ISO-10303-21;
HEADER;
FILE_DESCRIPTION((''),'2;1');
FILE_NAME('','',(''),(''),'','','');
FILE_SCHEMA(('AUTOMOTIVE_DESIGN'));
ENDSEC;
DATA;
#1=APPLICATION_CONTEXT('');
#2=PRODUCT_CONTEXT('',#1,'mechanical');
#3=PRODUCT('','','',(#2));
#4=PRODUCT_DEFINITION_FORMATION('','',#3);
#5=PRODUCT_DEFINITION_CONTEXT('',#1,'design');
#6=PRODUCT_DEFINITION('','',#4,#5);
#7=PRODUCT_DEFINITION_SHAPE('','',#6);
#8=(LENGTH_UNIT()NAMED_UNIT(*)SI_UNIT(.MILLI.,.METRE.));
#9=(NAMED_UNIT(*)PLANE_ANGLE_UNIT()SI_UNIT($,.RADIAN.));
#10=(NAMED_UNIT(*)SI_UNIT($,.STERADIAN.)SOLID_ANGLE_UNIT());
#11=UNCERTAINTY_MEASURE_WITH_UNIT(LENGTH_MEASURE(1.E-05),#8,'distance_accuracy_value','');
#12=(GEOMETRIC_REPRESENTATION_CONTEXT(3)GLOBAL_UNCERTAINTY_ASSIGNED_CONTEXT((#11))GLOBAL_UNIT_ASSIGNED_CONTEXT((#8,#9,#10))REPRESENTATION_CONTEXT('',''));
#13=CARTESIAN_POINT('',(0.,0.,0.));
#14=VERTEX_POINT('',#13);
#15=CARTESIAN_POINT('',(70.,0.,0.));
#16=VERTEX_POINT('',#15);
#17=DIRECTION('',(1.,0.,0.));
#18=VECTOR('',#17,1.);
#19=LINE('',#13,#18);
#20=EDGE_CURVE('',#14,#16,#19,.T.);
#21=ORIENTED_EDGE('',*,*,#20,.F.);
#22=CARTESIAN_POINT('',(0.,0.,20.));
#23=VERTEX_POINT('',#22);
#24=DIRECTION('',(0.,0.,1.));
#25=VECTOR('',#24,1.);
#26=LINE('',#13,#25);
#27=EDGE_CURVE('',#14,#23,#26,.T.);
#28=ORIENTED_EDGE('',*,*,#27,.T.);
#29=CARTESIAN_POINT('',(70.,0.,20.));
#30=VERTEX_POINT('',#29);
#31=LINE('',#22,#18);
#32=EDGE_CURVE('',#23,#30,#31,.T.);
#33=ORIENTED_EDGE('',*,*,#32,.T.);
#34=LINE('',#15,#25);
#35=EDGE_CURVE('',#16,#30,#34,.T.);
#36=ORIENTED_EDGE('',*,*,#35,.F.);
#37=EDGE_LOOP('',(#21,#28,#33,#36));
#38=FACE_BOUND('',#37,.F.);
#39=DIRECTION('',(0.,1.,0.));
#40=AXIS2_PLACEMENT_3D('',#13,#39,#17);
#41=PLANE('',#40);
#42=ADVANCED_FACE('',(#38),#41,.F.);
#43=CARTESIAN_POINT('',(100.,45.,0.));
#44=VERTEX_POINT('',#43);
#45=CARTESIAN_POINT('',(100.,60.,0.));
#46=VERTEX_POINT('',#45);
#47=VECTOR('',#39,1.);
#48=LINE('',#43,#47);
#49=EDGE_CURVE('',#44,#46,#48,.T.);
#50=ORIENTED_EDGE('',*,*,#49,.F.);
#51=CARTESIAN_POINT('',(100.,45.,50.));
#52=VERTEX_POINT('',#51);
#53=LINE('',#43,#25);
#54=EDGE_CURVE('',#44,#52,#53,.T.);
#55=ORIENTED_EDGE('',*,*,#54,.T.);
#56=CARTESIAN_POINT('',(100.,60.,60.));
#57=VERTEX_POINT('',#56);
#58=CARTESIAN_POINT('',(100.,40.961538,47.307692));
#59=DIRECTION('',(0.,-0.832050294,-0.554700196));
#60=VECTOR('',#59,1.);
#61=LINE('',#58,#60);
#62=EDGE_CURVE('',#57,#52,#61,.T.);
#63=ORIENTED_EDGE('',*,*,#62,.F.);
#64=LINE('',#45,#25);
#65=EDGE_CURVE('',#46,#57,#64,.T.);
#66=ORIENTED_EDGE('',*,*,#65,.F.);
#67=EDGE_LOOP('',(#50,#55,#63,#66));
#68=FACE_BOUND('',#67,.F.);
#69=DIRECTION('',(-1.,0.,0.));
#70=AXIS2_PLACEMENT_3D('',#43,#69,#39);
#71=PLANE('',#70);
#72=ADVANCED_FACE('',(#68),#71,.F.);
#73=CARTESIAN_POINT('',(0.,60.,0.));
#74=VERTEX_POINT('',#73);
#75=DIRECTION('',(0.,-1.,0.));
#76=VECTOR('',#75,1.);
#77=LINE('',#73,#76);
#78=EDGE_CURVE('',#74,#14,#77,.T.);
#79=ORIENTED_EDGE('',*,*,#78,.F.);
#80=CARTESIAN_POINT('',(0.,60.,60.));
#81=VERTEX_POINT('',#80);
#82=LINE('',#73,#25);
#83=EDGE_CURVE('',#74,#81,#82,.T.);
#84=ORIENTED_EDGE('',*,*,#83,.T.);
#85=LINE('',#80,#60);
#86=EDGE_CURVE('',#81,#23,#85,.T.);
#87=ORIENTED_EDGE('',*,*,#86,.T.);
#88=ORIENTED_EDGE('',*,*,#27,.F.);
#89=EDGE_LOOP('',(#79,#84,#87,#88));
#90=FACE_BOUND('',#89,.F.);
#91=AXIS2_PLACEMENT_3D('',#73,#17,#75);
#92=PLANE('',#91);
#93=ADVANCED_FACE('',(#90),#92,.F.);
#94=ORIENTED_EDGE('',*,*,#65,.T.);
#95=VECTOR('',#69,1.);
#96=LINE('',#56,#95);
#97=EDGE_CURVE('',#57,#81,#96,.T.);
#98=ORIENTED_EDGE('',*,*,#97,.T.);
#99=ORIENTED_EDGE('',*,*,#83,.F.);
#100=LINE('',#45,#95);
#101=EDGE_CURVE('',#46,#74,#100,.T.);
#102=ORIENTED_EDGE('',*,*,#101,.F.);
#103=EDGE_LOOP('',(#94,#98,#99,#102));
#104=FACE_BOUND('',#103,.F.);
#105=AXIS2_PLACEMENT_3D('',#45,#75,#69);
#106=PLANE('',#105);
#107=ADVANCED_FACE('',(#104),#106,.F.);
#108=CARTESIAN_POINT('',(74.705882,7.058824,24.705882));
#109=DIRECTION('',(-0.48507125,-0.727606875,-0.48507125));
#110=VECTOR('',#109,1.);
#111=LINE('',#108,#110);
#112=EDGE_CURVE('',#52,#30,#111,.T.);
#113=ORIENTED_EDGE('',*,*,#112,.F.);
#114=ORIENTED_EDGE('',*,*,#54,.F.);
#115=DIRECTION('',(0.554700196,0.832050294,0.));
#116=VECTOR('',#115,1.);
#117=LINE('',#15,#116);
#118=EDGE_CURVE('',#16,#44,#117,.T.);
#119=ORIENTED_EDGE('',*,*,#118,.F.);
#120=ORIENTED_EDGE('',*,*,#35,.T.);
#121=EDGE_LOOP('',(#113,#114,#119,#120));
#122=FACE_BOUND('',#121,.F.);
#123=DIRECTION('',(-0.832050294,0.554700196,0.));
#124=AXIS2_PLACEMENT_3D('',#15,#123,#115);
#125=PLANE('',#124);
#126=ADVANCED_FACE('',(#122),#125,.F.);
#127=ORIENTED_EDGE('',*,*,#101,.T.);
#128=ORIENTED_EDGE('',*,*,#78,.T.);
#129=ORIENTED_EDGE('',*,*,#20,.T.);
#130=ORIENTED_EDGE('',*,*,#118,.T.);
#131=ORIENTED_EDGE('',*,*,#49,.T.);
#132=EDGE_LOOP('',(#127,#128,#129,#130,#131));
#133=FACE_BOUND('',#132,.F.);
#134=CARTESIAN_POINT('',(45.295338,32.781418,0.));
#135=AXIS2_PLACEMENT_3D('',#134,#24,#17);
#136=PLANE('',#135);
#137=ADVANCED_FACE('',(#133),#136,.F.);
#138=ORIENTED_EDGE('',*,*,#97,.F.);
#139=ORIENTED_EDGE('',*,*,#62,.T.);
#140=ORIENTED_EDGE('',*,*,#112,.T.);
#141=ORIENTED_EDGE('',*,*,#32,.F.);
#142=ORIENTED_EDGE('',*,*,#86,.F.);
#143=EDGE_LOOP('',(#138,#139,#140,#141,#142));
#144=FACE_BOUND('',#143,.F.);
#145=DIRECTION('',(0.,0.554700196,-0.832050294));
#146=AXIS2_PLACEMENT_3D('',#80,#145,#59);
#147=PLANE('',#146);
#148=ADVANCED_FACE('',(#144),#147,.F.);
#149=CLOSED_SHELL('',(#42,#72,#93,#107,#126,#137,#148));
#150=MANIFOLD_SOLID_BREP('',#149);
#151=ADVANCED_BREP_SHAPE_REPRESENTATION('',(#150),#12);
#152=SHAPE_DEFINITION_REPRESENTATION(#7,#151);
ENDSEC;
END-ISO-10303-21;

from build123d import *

# Parameters (mm, degrees)
F1_DEPTH = 60
F3_DEPTH = 100.001


with BuildPart() as f1:
    # F0 (on Top) → F1 (new body)
    with BuildSketch(Plane.XY):
        Polygon((0, 60), (0, 0), (70, 0), (100, 45), (100, 60), align=None)
    extrude(amount=F1_DEPTH)

    # F2 (on face) → F3 (cut, through all)
    with BuildSketch(Plane(origin=(0, 0, 0), x_dir=(0, -1, 0), z_dir=(-1, 0, 0))):
        Polygon((0, 60), (-60, 60), (0, 20), align=None)
    extrude(amount=-F3_DEPTH, mode=Mode.SUBTRACT)


solid = f1.part
